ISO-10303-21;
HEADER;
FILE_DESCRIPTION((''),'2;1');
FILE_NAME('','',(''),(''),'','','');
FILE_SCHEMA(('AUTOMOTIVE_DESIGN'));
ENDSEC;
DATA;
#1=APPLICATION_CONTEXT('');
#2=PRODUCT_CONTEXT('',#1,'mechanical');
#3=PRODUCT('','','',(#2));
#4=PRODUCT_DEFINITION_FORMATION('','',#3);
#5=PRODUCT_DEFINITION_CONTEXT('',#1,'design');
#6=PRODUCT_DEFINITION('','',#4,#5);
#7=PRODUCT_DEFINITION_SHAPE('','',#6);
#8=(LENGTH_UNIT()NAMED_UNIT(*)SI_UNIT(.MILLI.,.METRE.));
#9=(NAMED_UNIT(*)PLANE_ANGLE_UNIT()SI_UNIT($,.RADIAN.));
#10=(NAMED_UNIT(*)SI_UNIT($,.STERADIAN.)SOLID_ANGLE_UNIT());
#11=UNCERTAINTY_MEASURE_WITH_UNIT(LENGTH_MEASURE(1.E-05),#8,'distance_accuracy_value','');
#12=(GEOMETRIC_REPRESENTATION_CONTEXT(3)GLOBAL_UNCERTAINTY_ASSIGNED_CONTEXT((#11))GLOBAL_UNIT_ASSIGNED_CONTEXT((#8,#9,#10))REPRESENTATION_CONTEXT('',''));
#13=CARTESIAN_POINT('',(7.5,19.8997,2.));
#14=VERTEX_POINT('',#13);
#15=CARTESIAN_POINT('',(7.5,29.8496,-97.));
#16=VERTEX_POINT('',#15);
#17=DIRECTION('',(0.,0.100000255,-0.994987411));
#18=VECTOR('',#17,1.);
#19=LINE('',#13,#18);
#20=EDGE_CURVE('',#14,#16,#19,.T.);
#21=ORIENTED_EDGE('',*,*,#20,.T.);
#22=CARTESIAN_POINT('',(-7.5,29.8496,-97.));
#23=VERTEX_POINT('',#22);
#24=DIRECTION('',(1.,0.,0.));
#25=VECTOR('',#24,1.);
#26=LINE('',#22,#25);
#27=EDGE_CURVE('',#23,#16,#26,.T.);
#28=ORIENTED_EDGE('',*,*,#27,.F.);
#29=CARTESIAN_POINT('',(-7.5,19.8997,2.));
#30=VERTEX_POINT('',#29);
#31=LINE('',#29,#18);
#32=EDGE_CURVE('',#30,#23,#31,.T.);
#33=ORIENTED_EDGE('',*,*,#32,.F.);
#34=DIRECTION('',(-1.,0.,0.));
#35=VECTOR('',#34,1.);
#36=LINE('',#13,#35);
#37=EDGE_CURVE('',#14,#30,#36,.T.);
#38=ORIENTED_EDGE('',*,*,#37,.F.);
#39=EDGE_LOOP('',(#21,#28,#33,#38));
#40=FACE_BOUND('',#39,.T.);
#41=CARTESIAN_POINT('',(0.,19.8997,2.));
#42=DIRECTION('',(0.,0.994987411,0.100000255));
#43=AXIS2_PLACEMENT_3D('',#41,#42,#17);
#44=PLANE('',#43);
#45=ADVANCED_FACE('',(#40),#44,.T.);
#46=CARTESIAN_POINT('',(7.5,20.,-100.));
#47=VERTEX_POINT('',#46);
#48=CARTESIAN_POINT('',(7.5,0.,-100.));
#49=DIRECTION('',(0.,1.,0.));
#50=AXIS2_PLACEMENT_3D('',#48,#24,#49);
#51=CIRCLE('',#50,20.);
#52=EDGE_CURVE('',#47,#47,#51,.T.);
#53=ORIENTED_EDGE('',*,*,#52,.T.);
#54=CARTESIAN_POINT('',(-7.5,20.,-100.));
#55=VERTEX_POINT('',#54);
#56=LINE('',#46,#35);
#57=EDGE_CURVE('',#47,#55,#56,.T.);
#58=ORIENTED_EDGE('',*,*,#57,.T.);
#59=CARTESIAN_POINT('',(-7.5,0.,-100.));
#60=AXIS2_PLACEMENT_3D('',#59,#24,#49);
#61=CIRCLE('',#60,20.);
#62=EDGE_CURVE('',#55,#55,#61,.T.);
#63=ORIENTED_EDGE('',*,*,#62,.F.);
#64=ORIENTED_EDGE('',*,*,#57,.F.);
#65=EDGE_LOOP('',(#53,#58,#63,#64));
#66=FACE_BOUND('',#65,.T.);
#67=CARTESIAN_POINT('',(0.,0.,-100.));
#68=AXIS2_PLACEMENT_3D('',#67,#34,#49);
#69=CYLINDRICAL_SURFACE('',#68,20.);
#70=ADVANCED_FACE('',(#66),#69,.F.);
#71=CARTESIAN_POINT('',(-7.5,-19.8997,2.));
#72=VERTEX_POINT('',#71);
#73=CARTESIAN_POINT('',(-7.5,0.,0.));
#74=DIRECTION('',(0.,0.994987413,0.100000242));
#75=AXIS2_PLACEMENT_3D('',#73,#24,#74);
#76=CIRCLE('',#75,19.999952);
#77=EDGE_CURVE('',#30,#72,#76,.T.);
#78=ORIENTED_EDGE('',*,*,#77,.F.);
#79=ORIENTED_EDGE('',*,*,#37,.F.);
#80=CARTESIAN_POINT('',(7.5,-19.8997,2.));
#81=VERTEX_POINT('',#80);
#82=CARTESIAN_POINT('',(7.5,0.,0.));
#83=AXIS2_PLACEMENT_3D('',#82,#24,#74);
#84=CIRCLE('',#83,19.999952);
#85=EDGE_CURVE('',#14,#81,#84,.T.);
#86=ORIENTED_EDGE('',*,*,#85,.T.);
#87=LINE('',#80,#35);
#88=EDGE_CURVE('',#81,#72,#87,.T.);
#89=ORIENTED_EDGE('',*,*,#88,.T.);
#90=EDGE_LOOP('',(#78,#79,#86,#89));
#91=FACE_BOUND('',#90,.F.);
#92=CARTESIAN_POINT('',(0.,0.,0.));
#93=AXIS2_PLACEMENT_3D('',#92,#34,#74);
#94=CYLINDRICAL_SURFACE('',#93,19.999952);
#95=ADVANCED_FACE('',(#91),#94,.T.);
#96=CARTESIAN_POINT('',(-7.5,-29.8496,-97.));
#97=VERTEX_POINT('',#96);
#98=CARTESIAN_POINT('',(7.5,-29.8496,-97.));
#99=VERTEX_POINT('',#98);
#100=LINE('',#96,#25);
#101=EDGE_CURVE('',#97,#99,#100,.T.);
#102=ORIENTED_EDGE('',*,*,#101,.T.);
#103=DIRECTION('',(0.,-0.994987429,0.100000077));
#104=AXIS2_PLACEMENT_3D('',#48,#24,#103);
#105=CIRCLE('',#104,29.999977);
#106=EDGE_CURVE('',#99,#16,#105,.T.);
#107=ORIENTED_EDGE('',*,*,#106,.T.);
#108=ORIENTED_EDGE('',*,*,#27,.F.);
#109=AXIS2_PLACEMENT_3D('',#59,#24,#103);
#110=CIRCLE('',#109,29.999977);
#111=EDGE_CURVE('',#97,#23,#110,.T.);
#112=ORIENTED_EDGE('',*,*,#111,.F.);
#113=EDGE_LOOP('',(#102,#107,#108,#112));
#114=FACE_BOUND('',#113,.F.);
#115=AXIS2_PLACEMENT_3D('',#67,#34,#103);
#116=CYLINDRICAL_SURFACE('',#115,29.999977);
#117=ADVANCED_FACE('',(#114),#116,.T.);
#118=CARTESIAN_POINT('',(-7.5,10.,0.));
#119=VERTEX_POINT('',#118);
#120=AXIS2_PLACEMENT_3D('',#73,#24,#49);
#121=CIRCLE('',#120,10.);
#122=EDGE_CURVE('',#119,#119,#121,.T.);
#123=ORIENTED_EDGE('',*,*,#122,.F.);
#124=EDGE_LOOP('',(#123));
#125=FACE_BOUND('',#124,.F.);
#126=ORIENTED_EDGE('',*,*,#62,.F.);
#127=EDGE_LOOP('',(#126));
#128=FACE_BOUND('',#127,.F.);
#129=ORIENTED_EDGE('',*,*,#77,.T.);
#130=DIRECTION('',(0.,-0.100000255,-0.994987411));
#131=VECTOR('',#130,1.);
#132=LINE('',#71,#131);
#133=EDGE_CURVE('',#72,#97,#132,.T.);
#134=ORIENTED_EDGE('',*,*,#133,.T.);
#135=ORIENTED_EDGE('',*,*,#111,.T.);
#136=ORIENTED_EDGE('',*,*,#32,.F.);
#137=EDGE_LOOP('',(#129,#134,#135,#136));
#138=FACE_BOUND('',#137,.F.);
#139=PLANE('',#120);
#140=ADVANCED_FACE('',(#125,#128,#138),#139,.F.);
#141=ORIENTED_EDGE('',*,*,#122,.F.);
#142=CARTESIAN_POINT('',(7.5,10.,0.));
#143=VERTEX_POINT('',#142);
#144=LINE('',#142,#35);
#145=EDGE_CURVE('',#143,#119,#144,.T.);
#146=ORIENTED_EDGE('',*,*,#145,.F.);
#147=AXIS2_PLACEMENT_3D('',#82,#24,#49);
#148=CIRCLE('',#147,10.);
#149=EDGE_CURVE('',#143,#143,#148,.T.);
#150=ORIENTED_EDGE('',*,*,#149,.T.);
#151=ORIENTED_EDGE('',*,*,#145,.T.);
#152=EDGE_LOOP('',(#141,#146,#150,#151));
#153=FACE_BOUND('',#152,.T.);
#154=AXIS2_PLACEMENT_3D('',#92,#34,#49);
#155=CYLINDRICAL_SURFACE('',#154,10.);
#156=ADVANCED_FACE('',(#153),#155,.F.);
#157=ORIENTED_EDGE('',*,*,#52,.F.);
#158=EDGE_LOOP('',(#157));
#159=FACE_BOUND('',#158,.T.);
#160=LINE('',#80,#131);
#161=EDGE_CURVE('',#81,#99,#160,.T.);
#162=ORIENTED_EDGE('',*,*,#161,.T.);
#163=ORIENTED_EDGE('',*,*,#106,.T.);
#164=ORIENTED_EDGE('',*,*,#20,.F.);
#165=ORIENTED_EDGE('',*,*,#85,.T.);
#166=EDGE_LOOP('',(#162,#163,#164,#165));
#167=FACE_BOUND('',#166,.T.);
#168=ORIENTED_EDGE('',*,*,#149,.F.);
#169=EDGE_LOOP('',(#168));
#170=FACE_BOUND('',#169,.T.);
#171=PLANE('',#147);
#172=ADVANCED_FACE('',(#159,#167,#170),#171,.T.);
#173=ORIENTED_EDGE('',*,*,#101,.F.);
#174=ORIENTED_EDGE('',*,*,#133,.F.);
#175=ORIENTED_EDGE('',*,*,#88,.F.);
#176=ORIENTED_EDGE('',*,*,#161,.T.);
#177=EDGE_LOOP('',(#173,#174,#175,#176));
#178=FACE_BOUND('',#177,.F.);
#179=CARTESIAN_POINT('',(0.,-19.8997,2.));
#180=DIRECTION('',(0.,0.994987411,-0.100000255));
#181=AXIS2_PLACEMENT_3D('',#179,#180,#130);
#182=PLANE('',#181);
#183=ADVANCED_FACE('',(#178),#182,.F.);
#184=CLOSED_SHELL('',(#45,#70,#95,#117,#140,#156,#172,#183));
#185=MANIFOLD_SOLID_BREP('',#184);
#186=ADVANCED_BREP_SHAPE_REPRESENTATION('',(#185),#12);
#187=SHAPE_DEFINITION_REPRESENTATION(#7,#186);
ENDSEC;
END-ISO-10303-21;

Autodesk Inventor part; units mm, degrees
ref_plane "YZ Plane" through (0, 0, 0) normal (1, 0, 0) x (0, 1, 0)
ref_plane "XZ Plane" through (0, 0, 0) normal (0, 1, 0) x (-1, 0, 0)
ref_plane "XY Plane" through (0, 0, 0) normal (0, 0, 1) x (1, 0, 0)
sketch "Sketch1" plane through (0, 0, 0) normal (1, 0, 0) x (0, 1, 0)
  line L0 (0, 0) -> (0, -100) construction
  circle A0 centre (0, -100) radius 20
  arc A1 (-29.8496, -97) -> (29.8496, -97) centre (0, -100) ccw
  circle A2 centre (0, 0) radius 10
  arc A3 (19.8997, 2) -> (-19.8997, 2) centre (0, 0) ccw
  line L1 (19.8997, 2) -> (29.8496, -97)
  line L2 (-19.8997, 2) -> (-29.8496, -97)
  dimension "d6" = 100
  dimension "d7" = 40
  dimension "d8" = 60
  dimension "d9" = 20
  dimension "d10" = 40
extrude "Extrusion1" add sketch "Sketch1" along normal mid plane 15
